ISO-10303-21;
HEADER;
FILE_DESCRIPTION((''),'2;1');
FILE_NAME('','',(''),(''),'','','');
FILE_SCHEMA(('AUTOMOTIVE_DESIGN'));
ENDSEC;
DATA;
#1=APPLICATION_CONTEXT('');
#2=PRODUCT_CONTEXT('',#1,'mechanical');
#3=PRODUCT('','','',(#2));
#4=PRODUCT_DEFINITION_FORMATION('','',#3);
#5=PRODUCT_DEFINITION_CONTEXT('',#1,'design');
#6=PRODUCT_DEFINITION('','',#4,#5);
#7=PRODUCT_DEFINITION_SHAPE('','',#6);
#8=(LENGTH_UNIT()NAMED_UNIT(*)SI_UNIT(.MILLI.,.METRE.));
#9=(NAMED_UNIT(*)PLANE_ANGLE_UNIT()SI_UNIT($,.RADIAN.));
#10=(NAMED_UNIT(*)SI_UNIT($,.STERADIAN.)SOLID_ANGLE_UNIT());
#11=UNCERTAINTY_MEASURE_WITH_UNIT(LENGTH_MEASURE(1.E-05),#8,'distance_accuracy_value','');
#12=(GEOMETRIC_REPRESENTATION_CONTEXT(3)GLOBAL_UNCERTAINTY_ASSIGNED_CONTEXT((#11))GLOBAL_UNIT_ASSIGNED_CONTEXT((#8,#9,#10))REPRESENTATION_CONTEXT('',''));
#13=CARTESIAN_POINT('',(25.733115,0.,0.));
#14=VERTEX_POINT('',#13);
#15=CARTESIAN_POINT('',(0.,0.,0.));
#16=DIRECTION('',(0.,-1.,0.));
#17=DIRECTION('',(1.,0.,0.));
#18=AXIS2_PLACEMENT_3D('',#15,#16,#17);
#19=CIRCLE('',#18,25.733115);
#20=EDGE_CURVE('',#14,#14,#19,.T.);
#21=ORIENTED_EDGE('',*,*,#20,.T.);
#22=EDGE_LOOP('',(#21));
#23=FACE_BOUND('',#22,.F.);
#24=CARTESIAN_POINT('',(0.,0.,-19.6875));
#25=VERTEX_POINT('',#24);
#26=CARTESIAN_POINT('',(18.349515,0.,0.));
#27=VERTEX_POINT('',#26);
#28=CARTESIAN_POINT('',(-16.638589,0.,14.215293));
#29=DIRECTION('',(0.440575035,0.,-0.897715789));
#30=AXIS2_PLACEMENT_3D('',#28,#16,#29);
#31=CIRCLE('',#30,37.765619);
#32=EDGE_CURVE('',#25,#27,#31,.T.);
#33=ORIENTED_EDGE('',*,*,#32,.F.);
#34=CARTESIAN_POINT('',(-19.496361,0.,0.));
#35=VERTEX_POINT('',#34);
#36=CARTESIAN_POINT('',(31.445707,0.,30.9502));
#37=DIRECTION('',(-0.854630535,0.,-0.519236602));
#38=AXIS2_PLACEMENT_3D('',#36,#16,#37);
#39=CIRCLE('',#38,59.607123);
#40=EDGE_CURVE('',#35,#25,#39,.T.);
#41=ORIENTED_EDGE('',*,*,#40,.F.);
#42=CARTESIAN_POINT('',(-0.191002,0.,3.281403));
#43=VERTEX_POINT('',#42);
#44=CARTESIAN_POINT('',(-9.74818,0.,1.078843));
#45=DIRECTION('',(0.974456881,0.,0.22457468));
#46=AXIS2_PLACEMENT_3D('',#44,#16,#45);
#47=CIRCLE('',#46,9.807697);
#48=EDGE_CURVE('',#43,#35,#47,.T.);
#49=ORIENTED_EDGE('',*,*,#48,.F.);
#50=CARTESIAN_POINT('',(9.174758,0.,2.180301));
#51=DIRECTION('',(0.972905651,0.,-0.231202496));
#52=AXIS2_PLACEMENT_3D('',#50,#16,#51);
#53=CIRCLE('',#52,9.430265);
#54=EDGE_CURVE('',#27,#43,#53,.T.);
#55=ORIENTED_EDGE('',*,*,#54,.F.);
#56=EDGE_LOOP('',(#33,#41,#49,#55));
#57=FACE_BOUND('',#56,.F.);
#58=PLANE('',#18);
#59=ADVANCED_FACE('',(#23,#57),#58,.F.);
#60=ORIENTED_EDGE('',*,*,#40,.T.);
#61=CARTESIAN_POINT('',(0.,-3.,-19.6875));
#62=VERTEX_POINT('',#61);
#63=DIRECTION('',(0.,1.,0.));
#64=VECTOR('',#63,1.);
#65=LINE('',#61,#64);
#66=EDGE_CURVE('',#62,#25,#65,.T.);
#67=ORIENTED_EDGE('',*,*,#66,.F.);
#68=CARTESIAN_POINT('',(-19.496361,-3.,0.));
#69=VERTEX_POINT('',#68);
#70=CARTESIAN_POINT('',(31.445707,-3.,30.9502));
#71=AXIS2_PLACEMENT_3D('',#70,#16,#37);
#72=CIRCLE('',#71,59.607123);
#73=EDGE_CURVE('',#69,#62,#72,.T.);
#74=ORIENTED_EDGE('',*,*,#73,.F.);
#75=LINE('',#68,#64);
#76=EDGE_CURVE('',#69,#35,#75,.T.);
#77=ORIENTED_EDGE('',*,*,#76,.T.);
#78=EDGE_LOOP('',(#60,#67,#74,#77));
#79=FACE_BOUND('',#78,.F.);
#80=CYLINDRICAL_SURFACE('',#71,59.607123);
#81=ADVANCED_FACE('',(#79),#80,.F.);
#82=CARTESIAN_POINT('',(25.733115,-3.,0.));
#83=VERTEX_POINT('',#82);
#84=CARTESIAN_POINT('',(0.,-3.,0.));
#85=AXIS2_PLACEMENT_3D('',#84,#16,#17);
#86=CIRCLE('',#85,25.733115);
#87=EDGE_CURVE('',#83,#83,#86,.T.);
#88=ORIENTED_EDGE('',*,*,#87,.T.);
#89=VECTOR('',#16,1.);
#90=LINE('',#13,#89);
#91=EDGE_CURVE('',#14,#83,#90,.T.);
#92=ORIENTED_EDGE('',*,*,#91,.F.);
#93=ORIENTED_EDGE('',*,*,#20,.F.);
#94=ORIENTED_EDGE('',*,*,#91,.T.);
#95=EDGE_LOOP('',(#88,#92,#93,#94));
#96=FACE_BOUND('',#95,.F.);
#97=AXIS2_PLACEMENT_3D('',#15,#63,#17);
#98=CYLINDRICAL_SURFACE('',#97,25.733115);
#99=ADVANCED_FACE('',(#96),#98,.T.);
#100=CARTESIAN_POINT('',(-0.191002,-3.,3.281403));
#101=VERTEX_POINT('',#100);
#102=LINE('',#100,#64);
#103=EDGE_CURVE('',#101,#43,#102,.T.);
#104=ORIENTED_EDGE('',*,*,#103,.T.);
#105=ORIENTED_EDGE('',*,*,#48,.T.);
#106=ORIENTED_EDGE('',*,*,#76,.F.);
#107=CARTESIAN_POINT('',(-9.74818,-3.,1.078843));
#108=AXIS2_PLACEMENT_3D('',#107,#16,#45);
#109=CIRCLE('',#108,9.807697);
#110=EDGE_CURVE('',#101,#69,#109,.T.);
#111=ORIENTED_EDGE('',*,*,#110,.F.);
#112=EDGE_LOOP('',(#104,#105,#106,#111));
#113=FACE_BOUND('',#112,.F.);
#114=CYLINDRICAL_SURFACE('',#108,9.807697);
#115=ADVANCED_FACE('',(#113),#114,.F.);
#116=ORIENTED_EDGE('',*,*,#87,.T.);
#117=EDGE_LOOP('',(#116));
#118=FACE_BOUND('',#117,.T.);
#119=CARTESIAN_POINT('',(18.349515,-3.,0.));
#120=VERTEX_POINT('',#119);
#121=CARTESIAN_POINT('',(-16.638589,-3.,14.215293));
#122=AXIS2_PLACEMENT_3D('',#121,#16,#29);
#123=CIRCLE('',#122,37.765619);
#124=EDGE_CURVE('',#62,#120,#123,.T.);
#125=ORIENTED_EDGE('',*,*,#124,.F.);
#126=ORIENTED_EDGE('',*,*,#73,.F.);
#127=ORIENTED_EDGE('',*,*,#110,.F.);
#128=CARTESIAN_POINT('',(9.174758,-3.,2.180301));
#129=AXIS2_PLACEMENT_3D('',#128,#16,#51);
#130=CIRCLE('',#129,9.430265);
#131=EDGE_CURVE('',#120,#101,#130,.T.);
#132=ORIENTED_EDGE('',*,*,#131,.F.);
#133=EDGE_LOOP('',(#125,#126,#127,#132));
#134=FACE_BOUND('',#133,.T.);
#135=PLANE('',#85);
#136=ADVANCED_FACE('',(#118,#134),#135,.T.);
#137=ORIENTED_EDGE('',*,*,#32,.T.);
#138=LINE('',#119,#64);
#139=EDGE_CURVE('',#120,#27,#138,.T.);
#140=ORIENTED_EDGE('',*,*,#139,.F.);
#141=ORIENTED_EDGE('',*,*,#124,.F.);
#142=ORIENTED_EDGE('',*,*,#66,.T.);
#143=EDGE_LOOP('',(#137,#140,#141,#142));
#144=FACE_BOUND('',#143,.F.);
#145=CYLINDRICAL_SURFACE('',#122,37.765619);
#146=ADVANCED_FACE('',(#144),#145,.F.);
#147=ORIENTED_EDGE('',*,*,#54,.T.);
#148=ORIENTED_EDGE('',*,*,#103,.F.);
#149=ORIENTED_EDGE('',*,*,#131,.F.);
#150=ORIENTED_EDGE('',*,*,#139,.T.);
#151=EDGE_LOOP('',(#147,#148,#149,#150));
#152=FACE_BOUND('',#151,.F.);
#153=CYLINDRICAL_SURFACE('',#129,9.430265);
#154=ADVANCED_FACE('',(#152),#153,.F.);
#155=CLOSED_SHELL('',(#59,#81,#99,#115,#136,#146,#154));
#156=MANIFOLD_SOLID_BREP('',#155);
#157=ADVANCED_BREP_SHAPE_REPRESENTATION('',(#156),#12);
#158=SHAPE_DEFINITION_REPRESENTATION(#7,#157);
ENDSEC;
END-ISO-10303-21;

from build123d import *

# Parameters (mm, degrees)
F0_R     = 25.7331145618
F1_DEPTH = 3
F3_DEPTH = 25


with BuildPart() as f1:
    # F0 (on Front) → F1 (new body)
    with BuildSketch(Plane.XZ):
        Circle(F0_R)
    extrude(amount=F1_DEPTH)

    # F2 (on face) → F3 (cut)
    with BuildSketch(Plane.XZ.offset(3)):
        with BuildLine():
            ThreePointArc((0, -19.687499851), (10.9879974236, -11.5337599019), (18.3495152742, 0))
            ThreePointArc((18.3495152742, 0), (10.8182363857, 11.4662506422), (-0.1910024421, 3.2814033059))
            ThreePointArc((-0.1910024421, 3.2814033059), (-11.3916591455, 10.7478604215), (-19.4963607937, 0))
            ThreePointArc((-19.4963607937, 0), (-10.9079914503, -10.9923007786), (0, -19.687499851))
        make_face()
        with BuildLine():
            ThreePointArc((0, 0), (-0.2395719307, 1.6323156501), (-0.1910024421, 3.2814033059))
            ThreePointArc((-0.1910024421, 3.2814033059), (0.0429440118, 1.6487602105), (0, 0))
        make_face(mode=Mode.SUBTRACT)
        with BuildLine():
            ThreePointArc((0, 0), (0.0429440118, 1.6487602105), (-0.1910024421, 3.2814033059))
            ThreePointArc((-0.1910024421, 3.2814033059), (-0.2395719307, 1.6323156501), (0, 0))
        make_face()
    extrude(amount=-F3_DEPTH, mode=Mode.SUBTRACT)


solid = f1.part
